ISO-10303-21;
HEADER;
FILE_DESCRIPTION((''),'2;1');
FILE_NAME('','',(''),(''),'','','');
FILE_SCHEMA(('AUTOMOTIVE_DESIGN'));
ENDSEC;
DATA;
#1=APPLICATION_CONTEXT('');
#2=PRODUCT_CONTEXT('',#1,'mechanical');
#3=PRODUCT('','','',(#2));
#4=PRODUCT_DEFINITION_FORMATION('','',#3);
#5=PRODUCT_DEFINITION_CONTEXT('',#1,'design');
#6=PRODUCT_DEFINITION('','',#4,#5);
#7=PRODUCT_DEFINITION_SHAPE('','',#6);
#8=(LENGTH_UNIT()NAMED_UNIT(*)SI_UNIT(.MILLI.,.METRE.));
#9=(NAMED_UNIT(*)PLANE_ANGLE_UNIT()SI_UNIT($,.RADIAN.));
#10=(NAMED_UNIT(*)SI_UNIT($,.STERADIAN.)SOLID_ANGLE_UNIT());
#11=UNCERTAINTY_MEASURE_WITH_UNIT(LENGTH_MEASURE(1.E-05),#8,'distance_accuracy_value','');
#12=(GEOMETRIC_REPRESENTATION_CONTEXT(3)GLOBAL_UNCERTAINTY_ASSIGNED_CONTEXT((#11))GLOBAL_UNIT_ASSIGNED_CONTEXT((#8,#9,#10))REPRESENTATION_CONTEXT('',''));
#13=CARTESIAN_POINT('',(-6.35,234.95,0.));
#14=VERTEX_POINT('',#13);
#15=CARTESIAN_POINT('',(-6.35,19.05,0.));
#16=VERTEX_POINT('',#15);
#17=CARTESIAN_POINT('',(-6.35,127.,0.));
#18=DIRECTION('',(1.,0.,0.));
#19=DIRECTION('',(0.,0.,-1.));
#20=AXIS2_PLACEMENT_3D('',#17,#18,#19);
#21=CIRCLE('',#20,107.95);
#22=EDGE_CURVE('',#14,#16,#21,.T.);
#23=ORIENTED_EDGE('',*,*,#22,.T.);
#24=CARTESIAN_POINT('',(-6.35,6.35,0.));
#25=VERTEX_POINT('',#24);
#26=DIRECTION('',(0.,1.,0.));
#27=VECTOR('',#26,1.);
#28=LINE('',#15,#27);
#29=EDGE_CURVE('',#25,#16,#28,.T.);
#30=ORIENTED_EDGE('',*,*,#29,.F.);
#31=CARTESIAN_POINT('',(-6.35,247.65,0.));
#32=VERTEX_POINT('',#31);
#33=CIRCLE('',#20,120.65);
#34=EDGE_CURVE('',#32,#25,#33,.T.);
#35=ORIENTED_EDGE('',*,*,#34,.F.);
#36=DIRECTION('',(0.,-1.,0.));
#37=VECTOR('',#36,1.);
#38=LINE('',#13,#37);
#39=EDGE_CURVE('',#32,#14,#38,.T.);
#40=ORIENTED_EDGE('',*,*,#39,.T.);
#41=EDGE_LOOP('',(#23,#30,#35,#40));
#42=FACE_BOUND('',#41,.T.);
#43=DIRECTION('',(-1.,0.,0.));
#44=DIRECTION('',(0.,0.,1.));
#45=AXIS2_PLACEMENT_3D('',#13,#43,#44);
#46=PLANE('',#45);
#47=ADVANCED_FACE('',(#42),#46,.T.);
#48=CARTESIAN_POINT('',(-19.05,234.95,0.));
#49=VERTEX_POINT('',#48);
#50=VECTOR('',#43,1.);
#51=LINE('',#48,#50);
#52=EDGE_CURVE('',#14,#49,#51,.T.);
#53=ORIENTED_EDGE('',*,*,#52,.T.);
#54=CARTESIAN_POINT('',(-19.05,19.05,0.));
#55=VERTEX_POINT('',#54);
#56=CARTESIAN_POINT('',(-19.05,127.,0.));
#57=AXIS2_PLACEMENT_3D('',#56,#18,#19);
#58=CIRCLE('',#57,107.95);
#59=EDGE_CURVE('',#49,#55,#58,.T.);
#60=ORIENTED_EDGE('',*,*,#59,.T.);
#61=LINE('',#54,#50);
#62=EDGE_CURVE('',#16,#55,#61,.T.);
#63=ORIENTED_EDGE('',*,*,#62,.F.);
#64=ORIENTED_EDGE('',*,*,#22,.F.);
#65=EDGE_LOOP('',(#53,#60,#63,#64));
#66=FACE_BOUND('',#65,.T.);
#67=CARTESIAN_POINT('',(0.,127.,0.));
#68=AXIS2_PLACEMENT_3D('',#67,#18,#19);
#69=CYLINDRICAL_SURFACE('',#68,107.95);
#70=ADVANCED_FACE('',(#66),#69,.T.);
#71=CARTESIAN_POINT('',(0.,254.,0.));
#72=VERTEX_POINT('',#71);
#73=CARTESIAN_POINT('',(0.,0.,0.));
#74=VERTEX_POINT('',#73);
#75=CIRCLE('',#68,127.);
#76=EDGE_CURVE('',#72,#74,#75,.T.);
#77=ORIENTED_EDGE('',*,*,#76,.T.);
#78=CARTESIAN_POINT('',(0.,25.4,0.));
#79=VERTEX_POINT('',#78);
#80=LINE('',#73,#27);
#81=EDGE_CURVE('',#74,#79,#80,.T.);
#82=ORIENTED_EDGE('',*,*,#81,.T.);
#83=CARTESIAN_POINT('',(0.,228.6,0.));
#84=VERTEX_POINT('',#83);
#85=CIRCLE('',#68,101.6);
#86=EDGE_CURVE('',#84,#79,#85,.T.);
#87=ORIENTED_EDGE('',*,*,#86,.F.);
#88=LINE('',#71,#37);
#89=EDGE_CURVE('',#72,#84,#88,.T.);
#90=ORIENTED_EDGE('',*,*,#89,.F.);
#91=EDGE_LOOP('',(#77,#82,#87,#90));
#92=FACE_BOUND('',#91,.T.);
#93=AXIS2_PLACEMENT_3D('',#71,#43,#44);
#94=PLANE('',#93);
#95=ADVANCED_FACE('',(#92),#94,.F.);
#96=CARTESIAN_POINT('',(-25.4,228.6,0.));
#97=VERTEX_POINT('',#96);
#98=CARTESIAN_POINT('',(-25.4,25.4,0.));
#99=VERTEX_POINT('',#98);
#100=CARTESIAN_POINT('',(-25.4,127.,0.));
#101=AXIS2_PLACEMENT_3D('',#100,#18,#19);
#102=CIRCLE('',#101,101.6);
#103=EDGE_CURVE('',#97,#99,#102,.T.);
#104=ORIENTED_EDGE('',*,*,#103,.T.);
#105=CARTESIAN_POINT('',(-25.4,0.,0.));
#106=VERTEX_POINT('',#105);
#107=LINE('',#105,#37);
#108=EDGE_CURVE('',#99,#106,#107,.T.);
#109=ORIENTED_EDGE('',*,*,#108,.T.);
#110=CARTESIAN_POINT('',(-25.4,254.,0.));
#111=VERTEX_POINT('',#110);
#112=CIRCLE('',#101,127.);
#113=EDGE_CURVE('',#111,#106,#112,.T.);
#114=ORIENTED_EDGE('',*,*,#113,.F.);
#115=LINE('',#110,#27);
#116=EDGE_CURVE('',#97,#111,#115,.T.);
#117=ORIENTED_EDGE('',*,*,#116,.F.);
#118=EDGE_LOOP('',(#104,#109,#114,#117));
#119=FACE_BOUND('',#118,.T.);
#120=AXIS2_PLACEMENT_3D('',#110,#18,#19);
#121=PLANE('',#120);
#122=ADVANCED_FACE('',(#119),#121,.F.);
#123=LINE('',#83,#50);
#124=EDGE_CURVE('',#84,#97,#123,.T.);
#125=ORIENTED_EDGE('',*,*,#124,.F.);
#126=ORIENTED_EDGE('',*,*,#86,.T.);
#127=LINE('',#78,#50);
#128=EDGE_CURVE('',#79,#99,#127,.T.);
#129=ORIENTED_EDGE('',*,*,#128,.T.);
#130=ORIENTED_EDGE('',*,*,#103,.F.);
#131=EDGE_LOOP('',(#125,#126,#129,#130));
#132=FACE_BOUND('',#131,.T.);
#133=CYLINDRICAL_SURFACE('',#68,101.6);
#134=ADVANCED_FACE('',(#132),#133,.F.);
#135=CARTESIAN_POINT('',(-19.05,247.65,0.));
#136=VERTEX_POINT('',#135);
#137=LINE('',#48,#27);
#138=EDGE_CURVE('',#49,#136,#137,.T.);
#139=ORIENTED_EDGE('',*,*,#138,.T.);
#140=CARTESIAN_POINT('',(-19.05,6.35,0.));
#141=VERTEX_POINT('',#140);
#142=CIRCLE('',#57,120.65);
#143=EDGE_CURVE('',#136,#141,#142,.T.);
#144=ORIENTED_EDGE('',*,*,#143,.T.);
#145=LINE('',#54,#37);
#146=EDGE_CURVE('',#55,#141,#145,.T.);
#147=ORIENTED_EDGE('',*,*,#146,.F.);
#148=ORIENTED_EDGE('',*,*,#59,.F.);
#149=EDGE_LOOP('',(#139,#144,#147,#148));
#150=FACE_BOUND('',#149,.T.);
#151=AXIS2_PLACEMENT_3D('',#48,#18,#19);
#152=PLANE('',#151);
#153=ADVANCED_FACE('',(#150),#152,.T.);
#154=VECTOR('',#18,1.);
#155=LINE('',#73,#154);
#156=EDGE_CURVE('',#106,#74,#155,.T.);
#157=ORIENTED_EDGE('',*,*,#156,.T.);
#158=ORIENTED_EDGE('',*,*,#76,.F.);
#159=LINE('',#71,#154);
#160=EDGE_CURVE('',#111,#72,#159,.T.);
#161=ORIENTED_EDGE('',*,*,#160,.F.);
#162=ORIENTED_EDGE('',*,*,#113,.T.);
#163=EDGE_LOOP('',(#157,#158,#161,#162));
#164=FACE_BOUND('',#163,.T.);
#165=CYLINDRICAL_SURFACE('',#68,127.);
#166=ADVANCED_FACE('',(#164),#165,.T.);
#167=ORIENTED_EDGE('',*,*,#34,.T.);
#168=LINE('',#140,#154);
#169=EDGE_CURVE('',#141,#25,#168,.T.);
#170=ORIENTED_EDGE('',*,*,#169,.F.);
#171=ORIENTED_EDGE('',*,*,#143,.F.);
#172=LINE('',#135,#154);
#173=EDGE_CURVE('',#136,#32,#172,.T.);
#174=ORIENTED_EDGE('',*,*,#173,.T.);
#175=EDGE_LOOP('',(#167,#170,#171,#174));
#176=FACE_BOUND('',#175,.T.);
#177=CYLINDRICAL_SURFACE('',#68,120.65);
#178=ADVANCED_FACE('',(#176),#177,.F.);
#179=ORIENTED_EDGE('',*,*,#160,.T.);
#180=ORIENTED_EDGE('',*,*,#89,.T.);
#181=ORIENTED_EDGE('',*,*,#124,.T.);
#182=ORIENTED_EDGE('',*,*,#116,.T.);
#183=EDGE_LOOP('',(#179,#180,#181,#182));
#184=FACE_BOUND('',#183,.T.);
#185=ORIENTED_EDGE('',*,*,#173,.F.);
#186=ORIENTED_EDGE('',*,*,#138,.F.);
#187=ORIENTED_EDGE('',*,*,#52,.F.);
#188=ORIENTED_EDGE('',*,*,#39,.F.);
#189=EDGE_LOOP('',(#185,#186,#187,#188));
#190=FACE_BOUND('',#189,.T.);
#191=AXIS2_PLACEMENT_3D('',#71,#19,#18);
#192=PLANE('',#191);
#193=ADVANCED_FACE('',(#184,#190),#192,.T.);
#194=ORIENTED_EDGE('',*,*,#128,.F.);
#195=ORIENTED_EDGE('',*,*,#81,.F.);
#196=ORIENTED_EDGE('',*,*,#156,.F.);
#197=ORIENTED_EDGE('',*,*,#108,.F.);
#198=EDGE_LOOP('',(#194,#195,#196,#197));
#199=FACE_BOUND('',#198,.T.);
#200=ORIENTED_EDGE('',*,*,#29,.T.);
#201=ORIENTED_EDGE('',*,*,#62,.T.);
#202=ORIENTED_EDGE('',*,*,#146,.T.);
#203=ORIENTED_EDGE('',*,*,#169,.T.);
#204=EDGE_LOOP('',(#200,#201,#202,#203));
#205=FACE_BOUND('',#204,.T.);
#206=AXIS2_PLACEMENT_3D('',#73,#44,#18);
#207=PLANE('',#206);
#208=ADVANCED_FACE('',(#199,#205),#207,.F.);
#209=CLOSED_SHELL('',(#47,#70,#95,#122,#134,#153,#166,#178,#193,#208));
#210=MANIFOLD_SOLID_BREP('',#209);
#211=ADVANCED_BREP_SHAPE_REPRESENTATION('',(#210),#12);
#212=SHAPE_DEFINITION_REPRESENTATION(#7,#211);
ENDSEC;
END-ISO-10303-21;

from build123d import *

# Parameters (mm, degrees)
SKETCH1_W      = 25.4
SKETCH1_H      = 25.4
SKETCH1_W_2    = 12.7
SKETCH1_H_2    = 12.7
REVOLVE2_ANGLE = 180


with BuildPart() as part:
    # Sketch1 → Revolve2 (revolve)
    with BuildSketch(Plane.XY):
        with Locations((-12.7, 12.7)):
            Rectangle(SKETCH1_W, SKETCH1_H)
        with Locations((-12.7, 12.7)):
            Rectangle(SKETCH1_W_2, SKETCH1_H_2, mode=Mode.SUBTRACT)
    revolve(axis=Axis((0, 127, 0), (-1, 0, 0)), revolution_arc=REVOLVE2_ANGLE)


solid = part.part
